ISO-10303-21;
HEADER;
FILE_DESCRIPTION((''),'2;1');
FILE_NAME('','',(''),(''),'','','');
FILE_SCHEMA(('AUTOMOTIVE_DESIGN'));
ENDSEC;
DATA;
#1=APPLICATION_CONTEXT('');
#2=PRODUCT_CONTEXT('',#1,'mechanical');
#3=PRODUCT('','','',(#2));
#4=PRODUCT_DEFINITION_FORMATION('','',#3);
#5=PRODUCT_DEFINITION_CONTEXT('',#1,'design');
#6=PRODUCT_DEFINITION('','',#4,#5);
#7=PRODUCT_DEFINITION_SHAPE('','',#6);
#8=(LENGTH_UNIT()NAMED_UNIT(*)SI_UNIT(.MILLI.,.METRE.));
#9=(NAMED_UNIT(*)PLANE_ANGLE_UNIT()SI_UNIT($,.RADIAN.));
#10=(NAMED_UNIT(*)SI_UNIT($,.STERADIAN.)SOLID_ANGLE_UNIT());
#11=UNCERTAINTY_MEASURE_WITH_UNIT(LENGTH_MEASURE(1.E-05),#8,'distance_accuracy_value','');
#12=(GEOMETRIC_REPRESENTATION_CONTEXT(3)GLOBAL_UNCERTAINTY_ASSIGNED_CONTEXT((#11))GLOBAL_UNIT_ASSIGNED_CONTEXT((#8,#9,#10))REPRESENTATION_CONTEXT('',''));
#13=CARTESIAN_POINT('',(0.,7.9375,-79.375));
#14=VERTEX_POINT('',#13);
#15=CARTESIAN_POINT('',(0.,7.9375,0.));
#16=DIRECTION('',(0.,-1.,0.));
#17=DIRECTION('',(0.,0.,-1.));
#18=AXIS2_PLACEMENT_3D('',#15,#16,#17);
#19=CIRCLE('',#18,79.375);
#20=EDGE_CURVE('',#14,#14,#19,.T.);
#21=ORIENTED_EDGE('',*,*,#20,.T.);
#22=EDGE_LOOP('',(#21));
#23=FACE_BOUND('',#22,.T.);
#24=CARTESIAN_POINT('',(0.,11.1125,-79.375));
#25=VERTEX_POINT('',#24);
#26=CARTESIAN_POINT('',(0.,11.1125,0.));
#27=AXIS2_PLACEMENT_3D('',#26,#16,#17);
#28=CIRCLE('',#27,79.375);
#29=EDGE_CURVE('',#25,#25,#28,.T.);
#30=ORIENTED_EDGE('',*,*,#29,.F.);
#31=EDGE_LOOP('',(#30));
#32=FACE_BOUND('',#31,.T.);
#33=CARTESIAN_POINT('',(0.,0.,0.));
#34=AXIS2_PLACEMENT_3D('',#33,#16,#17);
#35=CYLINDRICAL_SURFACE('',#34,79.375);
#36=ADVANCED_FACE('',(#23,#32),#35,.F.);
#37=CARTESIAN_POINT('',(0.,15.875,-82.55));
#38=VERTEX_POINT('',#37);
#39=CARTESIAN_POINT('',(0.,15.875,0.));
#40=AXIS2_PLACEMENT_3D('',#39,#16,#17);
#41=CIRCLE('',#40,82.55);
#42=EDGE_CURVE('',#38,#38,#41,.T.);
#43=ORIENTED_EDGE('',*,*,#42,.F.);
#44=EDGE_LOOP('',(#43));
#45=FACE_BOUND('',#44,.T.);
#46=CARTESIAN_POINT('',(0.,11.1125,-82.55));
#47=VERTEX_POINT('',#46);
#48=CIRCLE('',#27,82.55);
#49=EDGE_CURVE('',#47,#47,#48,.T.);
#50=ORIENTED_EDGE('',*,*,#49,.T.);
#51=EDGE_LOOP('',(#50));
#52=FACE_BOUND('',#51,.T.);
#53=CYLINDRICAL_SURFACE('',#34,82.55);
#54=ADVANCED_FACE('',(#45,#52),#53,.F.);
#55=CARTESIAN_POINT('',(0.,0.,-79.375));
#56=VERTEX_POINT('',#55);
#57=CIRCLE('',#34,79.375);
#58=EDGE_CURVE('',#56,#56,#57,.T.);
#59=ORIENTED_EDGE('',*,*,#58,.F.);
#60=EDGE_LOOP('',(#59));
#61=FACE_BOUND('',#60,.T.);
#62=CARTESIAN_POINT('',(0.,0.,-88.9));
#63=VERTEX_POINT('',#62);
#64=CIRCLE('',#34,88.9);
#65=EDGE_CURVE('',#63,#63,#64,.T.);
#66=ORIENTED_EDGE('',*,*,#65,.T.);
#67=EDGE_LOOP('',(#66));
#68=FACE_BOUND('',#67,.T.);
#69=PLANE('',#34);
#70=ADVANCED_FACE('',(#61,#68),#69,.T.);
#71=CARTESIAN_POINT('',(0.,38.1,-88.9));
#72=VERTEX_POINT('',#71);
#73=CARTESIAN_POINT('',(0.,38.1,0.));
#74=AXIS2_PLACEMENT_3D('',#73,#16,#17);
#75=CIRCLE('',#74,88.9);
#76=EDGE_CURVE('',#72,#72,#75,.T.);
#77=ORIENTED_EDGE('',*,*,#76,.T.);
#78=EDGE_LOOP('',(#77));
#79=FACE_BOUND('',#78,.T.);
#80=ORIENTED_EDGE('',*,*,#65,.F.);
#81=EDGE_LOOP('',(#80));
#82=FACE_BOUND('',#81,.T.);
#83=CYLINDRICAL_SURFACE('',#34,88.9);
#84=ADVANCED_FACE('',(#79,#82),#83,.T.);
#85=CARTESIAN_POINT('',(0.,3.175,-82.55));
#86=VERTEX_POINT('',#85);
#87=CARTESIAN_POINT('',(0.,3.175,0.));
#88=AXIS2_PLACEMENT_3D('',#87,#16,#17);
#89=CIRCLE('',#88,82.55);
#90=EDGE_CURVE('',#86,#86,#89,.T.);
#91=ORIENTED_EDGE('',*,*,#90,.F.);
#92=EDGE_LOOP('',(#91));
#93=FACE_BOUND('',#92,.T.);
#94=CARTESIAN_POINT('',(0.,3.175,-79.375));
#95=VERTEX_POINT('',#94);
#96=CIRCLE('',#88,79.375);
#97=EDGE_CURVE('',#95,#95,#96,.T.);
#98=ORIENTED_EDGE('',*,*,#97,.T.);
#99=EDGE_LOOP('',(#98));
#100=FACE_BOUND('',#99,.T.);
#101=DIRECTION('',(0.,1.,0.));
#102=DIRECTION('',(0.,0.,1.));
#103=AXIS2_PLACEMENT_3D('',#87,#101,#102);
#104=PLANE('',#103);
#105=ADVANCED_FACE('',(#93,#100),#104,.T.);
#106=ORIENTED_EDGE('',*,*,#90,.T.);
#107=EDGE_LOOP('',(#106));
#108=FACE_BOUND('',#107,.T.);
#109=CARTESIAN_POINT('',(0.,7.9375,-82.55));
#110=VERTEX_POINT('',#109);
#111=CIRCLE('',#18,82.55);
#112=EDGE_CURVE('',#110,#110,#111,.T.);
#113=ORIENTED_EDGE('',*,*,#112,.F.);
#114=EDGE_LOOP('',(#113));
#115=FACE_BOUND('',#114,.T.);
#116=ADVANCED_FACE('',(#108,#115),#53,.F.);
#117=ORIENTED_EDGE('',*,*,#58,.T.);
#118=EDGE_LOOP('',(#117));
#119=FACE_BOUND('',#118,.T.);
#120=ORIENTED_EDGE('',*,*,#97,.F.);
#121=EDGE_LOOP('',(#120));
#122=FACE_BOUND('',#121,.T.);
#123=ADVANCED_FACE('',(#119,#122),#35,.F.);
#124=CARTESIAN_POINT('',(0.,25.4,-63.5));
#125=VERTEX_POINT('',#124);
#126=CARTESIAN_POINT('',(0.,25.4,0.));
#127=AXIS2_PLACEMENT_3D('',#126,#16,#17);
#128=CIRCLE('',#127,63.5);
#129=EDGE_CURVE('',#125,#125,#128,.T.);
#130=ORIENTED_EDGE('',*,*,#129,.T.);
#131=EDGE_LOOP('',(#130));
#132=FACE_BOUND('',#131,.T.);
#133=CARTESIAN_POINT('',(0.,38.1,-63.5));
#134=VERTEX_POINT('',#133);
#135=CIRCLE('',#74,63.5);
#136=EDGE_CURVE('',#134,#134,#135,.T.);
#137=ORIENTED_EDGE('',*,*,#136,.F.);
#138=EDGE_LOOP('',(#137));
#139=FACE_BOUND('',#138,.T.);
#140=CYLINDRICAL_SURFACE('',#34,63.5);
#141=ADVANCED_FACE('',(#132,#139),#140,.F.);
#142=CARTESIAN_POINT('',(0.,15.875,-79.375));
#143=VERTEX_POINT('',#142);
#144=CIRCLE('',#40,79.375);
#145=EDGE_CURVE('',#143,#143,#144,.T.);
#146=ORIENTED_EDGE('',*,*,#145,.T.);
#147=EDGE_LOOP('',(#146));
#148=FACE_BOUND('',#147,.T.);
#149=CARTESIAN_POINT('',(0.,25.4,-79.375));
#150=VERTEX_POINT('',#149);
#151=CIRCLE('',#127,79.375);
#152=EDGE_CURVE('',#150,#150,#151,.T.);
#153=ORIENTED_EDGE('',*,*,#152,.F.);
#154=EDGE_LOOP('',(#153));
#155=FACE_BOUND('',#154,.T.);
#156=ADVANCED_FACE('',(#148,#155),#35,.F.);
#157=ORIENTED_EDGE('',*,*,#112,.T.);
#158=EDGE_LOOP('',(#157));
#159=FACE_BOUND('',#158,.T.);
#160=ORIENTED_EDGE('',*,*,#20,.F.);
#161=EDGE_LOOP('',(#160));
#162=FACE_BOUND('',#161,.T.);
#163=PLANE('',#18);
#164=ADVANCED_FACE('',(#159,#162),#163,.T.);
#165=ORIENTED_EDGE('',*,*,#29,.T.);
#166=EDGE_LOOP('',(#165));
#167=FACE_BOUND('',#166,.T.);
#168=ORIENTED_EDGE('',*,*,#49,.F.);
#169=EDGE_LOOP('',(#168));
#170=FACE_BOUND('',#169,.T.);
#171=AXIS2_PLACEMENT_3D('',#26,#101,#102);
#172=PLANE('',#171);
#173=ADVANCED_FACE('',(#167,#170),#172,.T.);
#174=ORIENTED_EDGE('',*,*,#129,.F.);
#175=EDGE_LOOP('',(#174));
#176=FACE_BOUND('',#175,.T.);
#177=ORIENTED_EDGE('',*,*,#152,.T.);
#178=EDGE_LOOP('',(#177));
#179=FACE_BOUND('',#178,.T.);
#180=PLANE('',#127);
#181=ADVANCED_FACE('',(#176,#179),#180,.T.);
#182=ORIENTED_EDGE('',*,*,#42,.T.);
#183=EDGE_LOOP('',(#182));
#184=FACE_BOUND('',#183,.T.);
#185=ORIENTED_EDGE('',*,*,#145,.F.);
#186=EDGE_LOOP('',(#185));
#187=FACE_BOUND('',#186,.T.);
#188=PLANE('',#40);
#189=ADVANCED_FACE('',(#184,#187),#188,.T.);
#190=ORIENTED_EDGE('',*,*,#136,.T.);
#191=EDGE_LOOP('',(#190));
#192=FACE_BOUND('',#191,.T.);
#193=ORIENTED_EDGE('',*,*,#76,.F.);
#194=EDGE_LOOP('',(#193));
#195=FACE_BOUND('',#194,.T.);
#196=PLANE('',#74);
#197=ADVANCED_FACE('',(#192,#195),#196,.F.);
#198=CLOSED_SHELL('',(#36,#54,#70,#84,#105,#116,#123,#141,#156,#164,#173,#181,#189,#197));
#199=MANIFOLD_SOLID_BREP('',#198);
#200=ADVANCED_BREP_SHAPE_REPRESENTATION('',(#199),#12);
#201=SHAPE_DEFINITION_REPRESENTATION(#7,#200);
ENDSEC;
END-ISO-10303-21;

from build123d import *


with BuildPart() as part:
    # Sketch1 → Revolve1 (revolve)
    with BuildSketch(Plane.XY):
        Polygon((63.5, 25.4), (79.375, 25.4), (79.375, 15.875), (82.55, 15.875), (82.55, 11.1125), (79.375, 11.1125), (79.375, 7.9375), (82.55, 7.9375), (82.55, 3.175), (79.375, 3.175), (79.375, 0), (88.9, 0), (88.9, 38.1), (63.5, 38.1), align=None)
    revolve(axis=Axis((0, 0, 0), (0, 1, 0)))


solid = part.part
